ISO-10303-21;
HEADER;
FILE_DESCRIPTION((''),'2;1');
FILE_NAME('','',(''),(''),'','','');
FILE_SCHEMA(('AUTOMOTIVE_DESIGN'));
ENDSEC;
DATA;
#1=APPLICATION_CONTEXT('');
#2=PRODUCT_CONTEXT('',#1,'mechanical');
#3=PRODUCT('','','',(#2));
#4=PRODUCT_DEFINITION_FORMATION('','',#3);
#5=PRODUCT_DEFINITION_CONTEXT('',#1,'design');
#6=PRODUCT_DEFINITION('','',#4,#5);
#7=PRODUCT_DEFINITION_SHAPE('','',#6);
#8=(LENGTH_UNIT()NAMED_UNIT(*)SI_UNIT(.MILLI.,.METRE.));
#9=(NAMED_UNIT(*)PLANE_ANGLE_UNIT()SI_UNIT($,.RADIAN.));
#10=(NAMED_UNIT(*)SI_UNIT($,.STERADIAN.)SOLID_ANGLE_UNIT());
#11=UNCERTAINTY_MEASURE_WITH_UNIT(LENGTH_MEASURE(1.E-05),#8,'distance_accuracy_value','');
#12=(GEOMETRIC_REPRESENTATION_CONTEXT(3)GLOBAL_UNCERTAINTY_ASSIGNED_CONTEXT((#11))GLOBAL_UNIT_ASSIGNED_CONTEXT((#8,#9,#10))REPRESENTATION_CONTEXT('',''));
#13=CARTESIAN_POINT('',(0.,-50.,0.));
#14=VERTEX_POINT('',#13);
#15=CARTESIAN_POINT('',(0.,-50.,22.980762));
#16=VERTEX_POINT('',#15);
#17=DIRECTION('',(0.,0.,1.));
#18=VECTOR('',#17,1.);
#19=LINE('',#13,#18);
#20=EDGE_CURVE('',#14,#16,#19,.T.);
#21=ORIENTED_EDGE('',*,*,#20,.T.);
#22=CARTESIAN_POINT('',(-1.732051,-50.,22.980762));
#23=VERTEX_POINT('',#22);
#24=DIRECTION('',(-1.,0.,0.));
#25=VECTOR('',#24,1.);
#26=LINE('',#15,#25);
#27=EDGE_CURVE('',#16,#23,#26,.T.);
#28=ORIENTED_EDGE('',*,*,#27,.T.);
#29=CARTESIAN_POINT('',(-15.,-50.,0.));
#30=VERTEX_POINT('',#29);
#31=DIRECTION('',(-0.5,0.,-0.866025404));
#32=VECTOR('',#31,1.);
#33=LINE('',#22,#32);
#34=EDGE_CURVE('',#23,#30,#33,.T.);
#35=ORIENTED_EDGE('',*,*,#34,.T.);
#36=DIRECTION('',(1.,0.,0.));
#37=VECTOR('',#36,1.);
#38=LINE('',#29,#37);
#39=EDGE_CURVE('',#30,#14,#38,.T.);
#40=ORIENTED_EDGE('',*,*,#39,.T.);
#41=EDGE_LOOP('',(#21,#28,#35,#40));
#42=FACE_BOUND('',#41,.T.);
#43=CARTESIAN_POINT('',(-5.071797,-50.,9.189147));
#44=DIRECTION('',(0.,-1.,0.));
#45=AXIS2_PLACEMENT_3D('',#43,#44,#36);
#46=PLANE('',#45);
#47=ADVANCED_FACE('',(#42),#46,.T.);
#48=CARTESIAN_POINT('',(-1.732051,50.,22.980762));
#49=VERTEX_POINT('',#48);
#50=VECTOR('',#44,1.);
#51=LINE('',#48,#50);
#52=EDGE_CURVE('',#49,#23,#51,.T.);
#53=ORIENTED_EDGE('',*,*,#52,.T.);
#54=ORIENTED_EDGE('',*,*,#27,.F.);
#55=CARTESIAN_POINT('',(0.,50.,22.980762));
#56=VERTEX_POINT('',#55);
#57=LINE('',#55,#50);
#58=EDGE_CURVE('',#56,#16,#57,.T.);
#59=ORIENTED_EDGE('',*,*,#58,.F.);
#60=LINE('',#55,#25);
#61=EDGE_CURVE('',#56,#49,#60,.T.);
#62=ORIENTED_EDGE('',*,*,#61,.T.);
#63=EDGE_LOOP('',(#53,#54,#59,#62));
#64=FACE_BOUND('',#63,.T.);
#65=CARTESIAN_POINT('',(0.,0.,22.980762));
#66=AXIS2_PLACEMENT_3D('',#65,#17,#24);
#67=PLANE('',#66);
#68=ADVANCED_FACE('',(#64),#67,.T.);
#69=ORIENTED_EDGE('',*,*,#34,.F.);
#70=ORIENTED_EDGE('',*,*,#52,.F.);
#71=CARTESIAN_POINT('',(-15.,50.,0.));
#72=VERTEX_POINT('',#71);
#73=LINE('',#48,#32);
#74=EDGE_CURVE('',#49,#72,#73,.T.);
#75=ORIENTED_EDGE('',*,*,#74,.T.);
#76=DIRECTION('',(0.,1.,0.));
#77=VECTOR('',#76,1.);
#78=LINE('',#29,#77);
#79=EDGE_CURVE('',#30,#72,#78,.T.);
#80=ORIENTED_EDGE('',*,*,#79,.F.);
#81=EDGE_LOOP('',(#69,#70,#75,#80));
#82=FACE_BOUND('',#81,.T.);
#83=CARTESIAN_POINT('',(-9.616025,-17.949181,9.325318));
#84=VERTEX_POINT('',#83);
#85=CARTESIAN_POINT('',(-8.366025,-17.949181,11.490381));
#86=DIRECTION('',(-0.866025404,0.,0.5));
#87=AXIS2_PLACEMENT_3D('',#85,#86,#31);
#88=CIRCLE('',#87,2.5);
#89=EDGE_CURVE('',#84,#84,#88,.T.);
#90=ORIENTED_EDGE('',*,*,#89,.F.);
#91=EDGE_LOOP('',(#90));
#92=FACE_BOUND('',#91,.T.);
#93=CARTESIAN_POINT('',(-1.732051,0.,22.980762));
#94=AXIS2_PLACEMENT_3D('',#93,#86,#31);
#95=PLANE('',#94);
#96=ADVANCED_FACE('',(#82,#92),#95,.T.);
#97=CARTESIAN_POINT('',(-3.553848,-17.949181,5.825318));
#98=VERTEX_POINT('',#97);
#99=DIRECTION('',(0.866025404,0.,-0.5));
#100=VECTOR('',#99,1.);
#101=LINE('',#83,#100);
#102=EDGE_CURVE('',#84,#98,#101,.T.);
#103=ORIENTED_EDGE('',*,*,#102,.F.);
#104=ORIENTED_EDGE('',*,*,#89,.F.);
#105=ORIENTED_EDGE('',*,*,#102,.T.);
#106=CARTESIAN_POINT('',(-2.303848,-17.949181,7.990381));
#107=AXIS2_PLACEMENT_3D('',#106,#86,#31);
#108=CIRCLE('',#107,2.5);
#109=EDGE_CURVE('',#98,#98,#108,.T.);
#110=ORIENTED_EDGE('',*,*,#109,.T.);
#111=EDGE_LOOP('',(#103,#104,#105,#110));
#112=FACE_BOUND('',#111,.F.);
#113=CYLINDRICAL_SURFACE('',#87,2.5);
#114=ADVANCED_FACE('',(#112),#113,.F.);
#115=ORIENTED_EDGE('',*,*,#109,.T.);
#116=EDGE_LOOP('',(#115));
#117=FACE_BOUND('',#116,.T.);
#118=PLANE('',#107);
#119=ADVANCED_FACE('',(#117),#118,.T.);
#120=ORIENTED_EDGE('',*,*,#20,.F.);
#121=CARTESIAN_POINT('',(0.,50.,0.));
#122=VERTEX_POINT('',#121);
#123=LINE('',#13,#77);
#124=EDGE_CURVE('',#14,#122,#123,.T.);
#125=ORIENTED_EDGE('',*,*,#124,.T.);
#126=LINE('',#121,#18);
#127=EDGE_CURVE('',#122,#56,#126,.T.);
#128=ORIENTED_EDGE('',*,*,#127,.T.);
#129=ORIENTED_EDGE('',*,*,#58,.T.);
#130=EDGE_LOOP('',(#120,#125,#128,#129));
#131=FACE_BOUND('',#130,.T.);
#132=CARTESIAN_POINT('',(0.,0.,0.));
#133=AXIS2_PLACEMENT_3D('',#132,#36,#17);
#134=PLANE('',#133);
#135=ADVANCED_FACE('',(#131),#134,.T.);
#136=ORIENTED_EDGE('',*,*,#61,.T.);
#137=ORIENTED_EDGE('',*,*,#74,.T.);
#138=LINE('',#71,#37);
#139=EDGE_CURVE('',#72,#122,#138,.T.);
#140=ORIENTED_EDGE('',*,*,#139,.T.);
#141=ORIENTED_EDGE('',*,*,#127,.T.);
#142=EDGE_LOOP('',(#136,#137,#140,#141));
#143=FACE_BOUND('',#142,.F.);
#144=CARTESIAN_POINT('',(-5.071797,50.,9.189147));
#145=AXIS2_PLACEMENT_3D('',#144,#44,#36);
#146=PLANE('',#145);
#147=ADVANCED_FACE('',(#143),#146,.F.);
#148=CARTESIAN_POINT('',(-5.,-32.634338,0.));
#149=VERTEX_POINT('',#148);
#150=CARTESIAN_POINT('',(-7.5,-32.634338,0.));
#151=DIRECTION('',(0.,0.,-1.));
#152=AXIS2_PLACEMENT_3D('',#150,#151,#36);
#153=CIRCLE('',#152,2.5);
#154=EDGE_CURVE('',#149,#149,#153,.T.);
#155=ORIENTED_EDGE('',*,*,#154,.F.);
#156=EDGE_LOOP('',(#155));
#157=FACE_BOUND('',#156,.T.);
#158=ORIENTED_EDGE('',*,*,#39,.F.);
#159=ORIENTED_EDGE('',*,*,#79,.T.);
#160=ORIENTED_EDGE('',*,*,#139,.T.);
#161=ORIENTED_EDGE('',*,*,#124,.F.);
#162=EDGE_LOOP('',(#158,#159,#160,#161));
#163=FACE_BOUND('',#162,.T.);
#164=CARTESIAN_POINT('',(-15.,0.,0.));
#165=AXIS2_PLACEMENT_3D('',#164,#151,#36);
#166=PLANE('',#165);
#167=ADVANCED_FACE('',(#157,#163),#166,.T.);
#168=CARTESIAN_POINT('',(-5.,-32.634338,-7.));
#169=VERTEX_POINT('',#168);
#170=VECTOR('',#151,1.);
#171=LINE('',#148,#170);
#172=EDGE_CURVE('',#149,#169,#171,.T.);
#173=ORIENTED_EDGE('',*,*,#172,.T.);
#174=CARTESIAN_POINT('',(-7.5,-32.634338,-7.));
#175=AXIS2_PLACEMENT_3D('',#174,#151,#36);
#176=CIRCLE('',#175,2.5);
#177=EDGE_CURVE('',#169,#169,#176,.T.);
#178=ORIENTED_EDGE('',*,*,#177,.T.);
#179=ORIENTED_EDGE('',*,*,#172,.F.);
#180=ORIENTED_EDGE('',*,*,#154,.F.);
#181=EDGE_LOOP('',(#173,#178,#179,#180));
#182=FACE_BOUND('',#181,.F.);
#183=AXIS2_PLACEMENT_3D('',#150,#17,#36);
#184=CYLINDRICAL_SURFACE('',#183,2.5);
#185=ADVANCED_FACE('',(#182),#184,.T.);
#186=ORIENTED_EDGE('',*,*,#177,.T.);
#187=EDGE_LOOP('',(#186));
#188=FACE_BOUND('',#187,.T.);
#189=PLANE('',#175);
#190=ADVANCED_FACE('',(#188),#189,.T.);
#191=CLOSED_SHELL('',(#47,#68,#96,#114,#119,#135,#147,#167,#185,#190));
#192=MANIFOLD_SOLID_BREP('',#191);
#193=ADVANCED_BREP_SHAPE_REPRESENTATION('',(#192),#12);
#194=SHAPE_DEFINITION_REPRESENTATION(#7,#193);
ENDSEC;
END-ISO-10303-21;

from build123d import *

# Parameters (mm, degrees)
PAD_DEPTH    = 50
SKETCH001_R  = 2.5
PAD001_DEPTH = 7
SKETCH002_R  = 2.5
POCKET_DEPTH = 7


with BuildPart() as part:
    # Sketch → Pad (new body, symmetric)
    with BuildSketch(Plane.XZ):
        Polygon((0, 0), (0, 22.9807621135), (-1.7320508076, 22.9807621135), (-15, 0), align=None)
    extrude(amount=PAD_DEPTH, both=True)

    # Sketch001 (on DatumPlane) → Pad001 (join)
    with BuildSketch(Plane(origin=(0, 0, 0), x_dir=(1, 0, 0), z_dir=(0, 0, -1))):
        with Locations((-7.5, 32.6343382758)):
            Circle(SKETCH001_R)
    extrude(amount=PAD001_DEPTH)

    # Sketch002 (on Face6 of Pad001) → Pocket (cut)
    with BuildSketch(Plane(origin=(-11.25, 0, 6.4951905284), x_dir=(-0.5, 0, -0.8660254038), z_dir=(-0.8660254038, 0, 0.5))):
        with Locations((-5.7679491924, 17.9491805705)):
            Circle(SKETCH002_R)
    extrude(amount=-POCKET_DEPTH, mode=Mode.SUBTRACT)


solid = part.part
